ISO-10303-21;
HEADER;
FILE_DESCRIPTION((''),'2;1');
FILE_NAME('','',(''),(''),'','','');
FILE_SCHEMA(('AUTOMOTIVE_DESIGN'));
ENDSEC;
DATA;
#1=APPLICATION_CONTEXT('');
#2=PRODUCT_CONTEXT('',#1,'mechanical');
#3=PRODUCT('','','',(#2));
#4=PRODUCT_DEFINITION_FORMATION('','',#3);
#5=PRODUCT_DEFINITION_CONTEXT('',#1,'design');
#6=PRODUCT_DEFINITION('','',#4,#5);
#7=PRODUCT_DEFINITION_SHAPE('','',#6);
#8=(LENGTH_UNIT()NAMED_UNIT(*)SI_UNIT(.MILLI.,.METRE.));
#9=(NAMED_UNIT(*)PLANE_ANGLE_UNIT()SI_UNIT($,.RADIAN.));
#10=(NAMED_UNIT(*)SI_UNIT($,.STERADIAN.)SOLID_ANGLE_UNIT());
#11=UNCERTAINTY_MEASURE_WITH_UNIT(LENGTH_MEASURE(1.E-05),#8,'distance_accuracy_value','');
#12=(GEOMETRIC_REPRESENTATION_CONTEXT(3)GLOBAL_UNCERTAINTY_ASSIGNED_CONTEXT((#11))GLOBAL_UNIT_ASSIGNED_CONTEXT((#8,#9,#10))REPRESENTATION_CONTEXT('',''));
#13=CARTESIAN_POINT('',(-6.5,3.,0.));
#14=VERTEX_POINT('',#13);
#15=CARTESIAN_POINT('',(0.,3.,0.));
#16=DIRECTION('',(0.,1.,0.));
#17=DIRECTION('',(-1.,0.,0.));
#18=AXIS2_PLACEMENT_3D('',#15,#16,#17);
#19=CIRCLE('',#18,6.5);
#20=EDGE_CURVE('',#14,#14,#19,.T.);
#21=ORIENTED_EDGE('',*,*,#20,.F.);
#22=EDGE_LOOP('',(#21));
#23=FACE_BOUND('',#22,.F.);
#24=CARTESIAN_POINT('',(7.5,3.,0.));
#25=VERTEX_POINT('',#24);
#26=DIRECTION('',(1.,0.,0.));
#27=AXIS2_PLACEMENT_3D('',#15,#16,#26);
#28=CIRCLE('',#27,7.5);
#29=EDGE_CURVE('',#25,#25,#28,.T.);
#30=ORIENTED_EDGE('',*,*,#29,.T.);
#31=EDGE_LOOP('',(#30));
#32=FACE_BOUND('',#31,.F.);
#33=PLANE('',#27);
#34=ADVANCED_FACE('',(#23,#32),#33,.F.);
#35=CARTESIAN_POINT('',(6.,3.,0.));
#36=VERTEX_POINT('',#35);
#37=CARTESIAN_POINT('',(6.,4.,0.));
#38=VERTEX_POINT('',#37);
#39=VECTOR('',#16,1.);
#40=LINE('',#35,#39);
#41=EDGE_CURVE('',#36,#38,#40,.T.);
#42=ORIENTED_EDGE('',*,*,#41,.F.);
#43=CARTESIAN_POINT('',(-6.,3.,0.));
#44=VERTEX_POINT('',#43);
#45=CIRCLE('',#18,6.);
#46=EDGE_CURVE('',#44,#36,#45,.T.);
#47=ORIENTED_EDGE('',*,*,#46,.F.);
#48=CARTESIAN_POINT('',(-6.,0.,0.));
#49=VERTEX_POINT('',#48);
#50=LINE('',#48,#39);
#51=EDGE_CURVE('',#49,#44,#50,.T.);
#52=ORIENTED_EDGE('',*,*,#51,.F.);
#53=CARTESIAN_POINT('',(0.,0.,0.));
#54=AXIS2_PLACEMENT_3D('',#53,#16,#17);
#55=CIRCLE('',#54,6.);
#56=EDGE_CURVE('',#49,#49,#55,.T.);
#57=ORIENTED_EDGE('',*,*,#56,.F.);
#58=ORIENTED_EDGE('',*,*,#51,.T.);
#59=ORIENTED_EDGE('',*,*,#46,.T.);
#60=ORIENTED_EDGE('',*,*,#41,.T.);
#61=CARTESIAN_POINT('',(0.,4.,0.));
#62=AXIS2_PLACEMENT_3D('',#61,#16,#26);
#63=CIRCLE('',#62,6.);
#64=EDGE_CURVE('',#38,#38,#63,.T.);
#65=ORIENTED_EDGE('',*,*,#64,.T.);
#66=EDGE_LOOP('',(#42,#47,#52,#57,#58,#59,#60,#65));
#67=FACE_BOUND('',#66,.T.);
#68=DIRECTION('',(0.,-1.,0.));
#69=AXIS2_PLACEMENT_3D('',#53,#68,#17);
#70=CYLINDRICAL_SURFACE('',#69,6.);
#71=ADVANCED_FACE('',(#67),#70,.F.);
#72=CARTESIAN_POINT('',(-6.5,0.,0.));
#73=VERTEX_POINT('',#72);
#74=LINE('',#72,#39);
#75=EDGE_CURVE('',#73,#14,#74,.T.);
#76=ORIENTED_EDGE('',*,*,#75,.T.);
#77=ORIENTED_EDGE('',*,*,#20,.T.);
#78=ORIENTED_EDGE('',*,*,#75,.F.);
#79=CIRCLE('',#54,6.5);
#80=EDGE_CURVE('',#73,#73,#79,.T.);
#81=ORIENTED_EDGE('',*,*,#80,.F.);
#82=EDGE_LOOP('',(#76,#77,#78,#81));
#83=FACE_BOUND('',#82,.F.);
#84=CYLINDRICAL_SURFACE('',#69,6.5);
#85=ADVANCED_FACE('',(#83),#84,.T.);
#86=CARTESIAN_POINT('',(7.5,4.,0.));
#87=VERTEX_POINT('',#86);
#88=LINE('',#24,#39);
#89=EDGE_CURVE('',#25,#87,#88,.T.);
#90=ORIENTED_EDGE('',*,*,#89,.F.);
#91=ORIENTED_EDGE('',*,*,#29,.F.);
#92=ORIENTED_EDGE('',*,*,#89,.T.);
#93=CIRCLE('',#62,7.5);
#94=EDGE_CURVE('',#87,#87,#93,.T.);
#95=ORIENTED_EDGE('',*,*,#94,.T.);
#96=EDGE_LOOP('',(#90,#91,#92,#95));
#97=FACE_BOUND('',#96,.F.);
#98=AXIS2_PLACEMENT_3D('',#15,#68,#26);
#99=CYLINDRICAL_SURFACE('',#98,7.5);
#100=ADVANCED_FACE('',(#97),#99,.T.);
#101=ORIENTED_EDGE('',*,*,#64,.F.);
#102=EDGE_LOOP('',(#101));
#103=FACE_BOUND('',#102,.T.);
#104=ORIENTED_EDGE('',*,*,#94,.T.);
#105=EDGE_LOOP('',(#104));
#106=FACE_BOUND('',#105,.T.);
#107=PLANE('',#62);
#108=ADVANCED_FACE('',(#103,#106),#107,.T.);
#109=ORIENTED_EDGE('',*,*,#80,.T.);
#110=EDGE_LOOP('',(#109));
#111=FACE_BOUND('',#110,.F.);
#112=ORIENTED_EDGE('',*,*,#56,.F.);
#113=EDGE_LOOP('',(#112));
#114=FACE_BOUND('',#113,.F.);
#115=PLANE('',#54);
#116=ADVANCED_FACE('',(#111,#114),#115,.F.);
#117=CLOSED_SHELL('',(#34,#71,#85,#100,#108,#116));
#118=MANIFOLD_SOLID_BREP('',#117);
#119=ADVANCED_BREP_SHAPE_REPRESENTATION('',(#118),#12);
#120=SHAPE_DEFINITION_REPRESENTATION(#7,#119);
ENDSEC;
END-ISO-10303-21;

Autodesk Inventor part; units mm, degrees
ref_plane "YZ Plane" through (0, 0, 0) normal (1, 0, 0) x (0, 1, 0)
ref_plane "XZ Plane" through (0, 0, 0) normal (0, 1, 0) x (-1, 0, 0)
ref_plane "XY Plane" through (0, 0, 0) normal (0, 0, 1) x (1, 0, 0)
sketch "Sketch1" plane through (0, 0, 0) normal (0, 1, 0) x (-1, 0, 0)
  circle A0 centre (0, 0) radius 6
  circle A1 centre (0, 0) radius 6.5
  dimension "d0" = 12
  dimension "d1" = 13
extrude "Extrusion1" add sketch "Sketch1" along normal blind 3
sketch "Sketch2" plane through (0, 3, 0) normal (0, 1, 0) x (1, 0, 0)
  circle A0 centre (0, 0) radius 7.5
  circle A1 centre (0, 0) radius 6
  dimension "d4" = 15
  dimension "d7" = 12
extrude "Extrusion2" add sketch "Sketch2" along normal blind 1
sketch "Sketch3" plane through (0, 0, 0) normal (0, -1, 0) x (1, 0, 0)
  circle A0 centre (0, 0) radius 6 projected
properties part number "entrada_manguera_2"
